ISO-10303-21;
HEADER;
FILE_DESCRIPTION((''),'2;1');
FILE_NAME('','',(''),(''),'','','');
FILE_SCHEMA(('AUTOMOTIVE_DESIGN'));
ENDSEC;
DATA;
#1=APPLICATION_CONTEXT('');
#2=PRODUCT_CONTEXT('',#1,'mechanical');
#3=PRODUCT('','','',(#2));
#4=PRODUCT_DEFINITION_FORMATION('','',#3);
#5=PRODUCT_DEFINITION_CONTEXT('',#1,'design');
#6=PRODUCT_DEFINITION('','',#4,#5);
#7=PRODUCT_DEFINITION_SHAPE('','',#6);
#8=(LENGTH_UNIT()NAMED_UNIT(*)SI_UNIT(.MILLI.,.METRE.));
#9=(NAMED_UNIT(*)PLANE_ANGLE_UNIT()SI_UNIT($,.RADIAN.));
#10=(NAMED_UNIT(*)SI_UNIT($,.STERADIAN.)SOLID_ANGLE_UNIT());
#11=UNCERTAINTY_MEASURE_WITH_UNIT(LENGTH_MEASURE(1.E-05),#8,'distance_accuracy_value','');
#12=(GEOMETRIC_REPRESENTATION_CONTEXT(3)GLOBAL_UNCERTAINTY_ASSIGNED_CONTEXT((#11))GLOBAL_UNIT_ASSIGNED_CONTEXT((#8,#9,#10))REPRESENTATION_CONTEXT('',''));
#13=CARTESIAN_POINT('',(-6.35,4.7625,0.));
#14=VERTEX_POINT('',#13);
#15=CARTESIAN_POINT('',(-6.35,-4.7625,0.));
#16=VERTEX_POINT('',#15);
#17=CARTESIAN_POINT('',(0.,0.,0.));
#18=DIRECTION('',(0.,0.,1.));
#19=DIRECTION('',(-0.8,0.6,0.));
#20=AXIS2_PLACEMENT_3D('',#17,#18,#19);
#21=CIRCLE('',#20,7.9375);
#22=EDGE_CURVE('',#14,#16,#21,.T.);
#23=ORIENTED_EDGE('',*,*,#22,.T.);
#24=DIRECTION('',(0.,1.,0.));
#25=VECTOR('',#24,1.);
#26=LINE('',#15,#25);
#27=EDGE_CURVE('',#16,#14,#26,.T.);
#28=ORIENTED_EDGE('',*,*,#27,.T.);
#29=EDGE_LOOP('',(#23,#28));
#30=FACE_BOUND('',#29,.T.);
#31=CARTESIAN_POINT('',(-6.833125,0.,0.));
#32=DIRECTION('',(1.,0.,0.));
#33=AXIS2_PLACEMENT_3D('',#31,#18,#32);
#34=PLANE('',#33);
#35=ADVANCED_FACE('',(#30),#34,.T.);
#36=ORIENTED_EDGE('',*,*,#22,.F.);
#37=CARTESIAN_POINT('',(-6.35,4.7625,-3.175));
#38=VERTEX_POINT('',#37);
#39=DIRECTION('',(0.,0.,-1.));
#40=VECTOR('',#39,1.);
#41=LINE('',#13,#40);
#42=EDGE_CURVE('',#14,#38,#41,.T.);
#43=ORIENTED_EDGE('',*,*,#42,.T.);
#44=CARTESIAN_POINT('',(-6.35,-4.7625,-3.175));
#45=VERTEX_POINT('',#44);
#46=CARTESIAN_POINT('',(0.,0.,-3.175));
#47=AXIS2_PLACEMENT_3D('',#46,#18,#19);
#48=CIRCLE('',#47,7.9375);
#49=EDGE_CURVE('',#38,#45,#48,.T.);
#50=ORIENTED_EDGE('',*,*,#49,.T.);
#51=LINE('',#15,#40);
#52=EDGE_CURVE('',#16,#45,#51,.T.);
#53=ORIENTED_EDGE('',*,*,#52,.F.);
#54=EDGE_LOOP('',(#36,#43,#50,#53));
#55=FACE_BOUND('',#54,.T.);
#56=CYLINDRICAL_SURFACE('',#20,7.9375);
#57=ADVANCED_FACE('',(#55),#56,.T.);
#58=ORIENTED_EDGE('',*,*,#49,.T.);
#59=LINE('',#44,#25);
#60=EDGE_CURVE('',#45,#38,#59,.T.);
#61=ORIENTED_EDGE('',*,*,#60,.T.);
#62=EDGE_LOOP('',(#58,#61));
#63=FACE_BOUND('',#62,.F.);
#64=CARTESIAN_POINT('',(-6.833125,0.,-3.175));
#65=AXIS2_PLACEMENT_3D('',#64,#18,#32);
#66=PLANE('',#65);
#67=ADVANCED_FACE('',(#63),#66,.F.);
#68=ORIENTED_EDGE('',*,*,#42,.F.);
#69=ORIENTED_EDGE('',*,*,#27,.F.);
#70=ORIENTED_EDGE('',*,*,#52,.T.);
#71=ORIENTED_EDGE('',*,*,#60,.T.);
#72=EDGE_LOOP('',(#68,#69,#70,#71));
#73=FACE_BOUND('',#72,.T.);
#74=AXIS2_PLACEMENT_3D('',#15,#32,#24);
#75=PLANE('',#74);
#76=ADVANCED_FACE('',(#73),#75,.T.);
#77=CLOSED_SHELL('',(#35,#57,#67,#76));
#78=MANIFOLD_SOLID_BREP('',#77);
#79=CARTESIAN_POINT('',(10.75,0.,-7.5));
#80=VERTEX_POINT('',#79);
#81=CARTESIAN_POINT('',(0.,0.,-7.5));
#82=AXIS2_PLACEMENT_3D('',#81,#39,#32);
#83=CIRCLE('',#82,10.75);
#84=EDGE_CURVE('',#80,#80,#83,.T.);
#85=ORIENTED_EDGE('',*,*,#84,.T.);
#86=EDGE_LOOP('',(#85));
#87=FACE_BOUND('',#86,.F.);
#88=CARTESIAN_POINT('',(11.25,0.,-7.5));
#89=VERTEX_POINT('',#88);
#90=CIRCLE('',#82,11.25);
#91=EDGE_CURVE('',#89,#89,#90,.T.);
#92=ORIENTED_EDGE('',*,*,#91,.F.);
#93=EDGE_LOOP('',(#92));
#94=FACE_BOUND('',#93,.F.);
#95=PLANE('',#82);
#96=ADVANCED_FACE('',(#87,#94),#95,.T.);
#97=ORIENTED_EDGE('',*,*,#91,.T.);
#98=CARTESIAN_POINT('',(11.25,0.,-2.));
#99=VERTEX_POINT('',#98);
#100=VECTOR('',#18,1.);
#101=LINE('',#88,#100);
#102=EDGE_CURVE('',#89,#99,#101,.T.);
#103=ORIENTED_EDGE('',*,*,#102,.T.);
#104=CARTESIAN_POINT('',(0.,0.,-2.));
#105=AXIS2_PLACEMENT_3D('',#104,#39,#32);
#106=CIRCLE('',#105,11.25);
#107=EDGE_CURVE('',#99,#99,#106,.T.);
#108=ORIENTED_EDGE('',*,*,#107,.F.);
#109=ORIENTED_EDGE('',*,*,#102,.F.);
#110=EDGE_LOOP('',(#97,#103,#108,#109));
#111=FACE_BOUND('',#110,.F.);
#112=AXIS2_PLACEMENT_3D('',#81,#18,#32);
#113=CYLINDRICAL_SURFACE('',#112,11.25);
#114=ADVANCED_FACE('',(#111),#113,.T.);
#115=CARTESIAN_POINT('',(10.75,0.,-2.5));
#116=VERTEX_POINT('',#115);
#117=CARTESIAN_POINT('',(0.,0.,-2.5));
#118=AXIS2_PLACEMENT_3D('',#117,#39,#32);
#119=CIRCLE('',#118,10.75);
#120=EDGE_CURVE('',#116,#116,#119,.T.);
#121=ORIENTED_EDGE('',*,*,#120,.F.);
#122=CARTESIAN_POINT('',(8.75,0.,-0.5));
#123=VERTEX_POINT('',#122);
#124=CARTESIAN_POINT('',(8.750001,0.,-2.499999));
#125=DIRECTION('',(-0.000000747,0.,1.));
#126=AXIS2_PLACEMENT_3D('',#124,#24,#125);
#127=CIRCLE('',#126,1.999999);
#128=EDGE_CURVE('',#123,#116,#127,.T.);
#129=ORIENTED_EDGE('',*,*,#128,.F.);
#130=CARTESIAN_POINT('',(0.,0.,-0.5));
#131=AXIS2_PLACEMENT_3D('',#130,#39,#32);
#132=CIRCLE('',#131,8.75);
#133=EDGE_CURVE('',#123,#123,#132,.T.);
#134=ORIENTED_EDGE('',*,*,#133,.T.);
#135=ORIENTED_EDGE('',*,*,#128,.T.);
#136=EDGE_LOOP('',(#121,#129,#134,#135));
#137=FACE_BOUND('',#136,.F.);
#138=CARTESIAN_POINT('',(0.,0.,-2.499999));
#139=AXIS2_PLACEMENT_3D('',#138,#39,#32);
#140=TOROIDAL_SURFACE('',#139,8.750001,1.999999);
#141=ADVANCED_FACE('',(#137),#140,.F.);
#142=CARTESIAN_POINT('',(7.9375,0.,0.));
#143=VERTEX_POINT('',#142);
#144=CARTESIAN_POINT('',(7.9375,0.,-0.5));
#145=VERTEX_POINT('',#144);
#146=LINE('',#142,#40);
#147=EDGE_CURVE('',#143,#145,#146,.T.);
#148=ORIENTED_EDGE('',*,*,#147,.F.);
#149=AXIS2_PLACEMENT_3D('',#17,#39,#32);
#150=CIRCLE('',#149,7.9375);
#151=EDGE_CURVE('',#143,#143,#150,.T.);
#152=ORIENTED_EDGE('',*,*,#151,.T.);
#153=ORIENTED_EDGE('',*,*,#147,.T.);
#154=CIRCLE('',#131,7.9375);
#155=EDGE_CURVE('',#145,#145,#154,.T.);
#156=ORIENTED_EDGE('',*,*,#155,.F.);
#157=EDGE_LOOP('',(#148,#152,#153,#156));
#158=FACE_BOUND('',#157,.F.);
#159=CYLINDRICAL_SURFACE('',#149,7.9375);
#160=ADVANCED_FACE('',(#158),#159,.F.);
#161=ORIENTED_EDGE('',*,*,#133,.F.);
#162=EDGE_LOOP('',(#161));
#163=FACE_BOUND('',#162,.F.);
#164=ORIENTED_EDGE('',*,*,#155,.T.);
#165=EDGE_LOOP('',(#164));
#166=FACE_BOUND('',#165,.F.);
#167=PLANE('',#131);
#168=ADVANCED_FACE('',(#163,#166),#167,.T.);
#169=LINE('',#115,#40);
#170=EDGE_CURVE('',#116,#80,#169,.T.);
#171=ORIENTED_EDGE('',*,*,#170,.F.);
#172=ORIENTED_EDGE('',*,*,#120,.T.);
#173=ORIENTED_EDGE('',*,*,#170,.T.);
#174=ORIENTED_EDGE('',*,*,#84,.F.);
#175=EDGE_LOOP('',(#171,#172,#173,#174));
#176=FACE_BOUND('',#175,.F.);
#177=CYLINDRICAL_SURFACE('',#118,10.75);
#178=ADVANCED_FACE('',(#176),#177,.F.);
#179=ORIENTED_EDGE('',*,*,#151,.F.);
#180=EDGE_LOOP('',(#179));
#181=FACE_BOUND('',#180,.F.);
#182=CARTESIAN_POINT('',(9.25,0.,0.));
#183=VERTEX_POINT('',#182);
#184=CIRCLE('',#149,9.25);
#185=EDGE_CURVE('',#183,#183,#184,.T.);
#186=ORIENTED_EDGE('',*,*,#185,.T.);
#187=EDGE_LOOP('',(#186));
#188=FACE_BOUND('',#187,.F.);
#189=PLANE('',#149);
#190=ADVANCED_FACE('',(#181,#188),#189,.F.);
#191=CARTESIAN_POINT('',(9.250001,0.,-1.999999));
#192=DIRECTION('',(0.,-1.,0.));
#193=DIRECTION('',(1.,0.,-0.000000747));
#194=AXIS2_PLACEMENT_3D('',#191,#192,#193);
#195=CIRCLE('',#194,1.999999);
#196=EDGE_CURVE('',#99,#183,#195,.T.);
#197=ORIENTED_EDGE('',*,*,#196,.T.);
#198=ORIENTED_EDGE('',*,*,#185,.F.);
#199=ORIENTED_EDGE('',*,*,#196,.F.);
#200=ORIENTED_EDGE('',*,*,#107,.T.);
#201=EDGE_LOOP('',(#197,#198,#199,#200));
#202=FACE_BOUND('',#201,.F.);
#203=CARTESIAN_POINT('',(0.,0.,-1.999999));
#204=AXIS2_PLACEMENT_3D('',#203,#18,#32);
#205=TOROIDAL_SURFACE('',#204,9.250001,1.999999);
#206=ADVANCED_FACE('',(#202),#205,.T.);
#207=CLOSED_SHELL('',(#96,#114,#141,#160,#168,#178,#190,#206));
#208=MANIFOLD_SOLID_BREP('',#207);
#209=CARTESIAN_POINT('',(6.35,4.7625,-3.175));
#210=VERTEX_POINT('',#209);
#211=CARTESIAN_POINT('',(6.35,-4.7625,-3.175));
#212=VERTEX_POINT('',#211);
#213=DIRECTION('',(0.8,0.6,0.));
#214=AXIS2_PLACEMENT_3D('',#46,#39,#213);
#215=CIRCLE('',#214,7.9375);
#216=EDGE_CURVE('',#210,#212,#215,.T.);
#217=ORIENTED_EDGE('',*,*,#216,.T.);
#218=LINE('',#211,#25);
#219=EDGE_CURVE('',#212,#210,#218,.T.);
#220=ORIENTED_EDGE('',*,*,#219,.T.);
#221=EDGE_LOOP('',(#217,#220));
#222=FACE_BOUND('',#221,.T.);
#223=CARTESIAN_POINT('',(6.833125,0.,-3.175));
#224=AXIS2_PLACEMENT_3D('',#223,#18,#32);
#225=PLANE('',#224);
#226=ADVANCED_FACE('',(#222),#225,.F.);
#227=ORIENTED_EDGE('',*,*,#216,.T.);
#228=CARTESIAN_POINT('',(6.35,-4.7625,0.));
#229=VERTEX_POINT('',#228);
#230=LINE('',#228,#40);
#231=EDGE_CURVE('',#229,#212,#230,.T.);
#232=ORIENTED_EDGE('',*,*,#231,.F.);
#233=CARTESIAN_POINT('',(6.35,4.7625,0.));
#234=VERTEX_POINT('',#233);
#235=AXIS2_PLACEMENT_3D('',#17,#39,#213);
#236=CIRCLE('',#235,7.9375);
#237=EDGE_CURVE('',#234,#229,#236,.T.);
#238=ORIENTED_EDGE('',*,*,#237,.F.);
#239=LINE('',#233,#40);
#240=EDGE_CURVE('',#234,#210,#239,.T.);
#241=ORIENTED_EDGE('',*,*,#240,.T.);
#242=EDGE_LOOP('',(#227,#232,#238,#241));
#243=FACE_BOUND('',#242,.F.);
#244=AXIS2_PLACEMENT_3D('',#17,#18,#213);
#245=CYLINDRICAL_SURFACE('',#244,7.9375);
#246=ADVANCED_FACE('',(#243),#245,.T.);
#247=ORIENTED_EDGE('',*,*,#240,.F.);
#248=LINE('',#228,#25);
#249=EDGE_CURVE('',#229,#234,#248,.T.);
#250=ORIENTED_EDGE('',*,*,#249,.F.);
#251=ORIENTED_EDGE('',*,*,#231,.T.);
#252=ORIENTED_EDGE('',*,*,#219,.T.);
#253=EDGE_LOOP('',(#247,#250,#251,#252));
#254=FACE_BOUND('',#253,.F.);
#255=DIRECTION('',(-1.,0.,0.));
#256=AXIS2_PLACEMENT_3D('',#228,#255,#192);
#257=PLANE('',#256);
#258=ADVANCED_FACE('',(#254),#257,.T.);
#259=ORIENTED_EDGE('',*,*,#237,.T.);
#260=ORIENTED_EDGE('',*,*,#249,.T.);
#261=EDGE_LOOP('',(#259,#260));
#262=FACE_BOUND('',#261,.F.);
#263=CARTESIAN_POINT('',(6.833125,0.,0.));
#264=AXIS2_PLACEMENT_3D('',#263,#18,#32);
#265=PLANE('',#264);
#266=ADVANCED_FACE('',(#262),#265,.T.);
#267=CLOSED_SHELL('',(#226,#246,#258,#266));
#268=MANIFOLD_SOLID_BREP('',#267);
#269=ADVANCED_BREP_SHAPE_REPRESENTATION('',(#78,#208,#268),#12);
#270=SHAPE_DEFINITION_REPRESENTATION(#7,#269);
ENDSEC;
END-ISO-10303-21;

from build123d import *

# Parameters (mm, degrees)
F2_DEPTH = 3.175


with BuildPart() as f2:
    # F0 (on Top) → F2 (new body)
    with BuildSketch(Plane.XY):
        with BuildLine():
            Line((-6.35, -4.7625), (-6.35, 4.7625))
            ThreePointArc((-6.35, 4.7625), (-7.9375, 0), (-6.35, -4.7625))
        make_face()
    extrude(amount=-F2_DEPTH)


with BuildPart() as f3_1:
    # F3: instance of F2
    add(f2.part.mirror(Plane.YZ))


with BuildPart() as f4:
    # F1 (on Front) → F4 (revolve)
    with BuildSketch(Plane.XZ):
        with BuildLine():
            Line((9.25, 0), (7.9375, 0))
            Line((7.9375, 0), (7.9375, -0.5))
            Line((7.9375, -0.5), (8.75, -0.5))
            ThreePointArc((8.75, -0.5), (10.164214, -1.085786), (10.75, -2.5))
            Line((10.75, -2.5), (10.75, -7.5))
            Line((10.75, -7.5), (11.25, -7.5))
            Line((11.25, -7.5), (11.25, -2))
            ThreePointArc((11.25, -2), (10.664214, -0.585786), (9.25, 0))
        make_face()
    revolve(axis=Axis((0, 0, -3.75), (0, 0, -1)))


solid = Compound([f2.part, f3_1.part, f4.part])
